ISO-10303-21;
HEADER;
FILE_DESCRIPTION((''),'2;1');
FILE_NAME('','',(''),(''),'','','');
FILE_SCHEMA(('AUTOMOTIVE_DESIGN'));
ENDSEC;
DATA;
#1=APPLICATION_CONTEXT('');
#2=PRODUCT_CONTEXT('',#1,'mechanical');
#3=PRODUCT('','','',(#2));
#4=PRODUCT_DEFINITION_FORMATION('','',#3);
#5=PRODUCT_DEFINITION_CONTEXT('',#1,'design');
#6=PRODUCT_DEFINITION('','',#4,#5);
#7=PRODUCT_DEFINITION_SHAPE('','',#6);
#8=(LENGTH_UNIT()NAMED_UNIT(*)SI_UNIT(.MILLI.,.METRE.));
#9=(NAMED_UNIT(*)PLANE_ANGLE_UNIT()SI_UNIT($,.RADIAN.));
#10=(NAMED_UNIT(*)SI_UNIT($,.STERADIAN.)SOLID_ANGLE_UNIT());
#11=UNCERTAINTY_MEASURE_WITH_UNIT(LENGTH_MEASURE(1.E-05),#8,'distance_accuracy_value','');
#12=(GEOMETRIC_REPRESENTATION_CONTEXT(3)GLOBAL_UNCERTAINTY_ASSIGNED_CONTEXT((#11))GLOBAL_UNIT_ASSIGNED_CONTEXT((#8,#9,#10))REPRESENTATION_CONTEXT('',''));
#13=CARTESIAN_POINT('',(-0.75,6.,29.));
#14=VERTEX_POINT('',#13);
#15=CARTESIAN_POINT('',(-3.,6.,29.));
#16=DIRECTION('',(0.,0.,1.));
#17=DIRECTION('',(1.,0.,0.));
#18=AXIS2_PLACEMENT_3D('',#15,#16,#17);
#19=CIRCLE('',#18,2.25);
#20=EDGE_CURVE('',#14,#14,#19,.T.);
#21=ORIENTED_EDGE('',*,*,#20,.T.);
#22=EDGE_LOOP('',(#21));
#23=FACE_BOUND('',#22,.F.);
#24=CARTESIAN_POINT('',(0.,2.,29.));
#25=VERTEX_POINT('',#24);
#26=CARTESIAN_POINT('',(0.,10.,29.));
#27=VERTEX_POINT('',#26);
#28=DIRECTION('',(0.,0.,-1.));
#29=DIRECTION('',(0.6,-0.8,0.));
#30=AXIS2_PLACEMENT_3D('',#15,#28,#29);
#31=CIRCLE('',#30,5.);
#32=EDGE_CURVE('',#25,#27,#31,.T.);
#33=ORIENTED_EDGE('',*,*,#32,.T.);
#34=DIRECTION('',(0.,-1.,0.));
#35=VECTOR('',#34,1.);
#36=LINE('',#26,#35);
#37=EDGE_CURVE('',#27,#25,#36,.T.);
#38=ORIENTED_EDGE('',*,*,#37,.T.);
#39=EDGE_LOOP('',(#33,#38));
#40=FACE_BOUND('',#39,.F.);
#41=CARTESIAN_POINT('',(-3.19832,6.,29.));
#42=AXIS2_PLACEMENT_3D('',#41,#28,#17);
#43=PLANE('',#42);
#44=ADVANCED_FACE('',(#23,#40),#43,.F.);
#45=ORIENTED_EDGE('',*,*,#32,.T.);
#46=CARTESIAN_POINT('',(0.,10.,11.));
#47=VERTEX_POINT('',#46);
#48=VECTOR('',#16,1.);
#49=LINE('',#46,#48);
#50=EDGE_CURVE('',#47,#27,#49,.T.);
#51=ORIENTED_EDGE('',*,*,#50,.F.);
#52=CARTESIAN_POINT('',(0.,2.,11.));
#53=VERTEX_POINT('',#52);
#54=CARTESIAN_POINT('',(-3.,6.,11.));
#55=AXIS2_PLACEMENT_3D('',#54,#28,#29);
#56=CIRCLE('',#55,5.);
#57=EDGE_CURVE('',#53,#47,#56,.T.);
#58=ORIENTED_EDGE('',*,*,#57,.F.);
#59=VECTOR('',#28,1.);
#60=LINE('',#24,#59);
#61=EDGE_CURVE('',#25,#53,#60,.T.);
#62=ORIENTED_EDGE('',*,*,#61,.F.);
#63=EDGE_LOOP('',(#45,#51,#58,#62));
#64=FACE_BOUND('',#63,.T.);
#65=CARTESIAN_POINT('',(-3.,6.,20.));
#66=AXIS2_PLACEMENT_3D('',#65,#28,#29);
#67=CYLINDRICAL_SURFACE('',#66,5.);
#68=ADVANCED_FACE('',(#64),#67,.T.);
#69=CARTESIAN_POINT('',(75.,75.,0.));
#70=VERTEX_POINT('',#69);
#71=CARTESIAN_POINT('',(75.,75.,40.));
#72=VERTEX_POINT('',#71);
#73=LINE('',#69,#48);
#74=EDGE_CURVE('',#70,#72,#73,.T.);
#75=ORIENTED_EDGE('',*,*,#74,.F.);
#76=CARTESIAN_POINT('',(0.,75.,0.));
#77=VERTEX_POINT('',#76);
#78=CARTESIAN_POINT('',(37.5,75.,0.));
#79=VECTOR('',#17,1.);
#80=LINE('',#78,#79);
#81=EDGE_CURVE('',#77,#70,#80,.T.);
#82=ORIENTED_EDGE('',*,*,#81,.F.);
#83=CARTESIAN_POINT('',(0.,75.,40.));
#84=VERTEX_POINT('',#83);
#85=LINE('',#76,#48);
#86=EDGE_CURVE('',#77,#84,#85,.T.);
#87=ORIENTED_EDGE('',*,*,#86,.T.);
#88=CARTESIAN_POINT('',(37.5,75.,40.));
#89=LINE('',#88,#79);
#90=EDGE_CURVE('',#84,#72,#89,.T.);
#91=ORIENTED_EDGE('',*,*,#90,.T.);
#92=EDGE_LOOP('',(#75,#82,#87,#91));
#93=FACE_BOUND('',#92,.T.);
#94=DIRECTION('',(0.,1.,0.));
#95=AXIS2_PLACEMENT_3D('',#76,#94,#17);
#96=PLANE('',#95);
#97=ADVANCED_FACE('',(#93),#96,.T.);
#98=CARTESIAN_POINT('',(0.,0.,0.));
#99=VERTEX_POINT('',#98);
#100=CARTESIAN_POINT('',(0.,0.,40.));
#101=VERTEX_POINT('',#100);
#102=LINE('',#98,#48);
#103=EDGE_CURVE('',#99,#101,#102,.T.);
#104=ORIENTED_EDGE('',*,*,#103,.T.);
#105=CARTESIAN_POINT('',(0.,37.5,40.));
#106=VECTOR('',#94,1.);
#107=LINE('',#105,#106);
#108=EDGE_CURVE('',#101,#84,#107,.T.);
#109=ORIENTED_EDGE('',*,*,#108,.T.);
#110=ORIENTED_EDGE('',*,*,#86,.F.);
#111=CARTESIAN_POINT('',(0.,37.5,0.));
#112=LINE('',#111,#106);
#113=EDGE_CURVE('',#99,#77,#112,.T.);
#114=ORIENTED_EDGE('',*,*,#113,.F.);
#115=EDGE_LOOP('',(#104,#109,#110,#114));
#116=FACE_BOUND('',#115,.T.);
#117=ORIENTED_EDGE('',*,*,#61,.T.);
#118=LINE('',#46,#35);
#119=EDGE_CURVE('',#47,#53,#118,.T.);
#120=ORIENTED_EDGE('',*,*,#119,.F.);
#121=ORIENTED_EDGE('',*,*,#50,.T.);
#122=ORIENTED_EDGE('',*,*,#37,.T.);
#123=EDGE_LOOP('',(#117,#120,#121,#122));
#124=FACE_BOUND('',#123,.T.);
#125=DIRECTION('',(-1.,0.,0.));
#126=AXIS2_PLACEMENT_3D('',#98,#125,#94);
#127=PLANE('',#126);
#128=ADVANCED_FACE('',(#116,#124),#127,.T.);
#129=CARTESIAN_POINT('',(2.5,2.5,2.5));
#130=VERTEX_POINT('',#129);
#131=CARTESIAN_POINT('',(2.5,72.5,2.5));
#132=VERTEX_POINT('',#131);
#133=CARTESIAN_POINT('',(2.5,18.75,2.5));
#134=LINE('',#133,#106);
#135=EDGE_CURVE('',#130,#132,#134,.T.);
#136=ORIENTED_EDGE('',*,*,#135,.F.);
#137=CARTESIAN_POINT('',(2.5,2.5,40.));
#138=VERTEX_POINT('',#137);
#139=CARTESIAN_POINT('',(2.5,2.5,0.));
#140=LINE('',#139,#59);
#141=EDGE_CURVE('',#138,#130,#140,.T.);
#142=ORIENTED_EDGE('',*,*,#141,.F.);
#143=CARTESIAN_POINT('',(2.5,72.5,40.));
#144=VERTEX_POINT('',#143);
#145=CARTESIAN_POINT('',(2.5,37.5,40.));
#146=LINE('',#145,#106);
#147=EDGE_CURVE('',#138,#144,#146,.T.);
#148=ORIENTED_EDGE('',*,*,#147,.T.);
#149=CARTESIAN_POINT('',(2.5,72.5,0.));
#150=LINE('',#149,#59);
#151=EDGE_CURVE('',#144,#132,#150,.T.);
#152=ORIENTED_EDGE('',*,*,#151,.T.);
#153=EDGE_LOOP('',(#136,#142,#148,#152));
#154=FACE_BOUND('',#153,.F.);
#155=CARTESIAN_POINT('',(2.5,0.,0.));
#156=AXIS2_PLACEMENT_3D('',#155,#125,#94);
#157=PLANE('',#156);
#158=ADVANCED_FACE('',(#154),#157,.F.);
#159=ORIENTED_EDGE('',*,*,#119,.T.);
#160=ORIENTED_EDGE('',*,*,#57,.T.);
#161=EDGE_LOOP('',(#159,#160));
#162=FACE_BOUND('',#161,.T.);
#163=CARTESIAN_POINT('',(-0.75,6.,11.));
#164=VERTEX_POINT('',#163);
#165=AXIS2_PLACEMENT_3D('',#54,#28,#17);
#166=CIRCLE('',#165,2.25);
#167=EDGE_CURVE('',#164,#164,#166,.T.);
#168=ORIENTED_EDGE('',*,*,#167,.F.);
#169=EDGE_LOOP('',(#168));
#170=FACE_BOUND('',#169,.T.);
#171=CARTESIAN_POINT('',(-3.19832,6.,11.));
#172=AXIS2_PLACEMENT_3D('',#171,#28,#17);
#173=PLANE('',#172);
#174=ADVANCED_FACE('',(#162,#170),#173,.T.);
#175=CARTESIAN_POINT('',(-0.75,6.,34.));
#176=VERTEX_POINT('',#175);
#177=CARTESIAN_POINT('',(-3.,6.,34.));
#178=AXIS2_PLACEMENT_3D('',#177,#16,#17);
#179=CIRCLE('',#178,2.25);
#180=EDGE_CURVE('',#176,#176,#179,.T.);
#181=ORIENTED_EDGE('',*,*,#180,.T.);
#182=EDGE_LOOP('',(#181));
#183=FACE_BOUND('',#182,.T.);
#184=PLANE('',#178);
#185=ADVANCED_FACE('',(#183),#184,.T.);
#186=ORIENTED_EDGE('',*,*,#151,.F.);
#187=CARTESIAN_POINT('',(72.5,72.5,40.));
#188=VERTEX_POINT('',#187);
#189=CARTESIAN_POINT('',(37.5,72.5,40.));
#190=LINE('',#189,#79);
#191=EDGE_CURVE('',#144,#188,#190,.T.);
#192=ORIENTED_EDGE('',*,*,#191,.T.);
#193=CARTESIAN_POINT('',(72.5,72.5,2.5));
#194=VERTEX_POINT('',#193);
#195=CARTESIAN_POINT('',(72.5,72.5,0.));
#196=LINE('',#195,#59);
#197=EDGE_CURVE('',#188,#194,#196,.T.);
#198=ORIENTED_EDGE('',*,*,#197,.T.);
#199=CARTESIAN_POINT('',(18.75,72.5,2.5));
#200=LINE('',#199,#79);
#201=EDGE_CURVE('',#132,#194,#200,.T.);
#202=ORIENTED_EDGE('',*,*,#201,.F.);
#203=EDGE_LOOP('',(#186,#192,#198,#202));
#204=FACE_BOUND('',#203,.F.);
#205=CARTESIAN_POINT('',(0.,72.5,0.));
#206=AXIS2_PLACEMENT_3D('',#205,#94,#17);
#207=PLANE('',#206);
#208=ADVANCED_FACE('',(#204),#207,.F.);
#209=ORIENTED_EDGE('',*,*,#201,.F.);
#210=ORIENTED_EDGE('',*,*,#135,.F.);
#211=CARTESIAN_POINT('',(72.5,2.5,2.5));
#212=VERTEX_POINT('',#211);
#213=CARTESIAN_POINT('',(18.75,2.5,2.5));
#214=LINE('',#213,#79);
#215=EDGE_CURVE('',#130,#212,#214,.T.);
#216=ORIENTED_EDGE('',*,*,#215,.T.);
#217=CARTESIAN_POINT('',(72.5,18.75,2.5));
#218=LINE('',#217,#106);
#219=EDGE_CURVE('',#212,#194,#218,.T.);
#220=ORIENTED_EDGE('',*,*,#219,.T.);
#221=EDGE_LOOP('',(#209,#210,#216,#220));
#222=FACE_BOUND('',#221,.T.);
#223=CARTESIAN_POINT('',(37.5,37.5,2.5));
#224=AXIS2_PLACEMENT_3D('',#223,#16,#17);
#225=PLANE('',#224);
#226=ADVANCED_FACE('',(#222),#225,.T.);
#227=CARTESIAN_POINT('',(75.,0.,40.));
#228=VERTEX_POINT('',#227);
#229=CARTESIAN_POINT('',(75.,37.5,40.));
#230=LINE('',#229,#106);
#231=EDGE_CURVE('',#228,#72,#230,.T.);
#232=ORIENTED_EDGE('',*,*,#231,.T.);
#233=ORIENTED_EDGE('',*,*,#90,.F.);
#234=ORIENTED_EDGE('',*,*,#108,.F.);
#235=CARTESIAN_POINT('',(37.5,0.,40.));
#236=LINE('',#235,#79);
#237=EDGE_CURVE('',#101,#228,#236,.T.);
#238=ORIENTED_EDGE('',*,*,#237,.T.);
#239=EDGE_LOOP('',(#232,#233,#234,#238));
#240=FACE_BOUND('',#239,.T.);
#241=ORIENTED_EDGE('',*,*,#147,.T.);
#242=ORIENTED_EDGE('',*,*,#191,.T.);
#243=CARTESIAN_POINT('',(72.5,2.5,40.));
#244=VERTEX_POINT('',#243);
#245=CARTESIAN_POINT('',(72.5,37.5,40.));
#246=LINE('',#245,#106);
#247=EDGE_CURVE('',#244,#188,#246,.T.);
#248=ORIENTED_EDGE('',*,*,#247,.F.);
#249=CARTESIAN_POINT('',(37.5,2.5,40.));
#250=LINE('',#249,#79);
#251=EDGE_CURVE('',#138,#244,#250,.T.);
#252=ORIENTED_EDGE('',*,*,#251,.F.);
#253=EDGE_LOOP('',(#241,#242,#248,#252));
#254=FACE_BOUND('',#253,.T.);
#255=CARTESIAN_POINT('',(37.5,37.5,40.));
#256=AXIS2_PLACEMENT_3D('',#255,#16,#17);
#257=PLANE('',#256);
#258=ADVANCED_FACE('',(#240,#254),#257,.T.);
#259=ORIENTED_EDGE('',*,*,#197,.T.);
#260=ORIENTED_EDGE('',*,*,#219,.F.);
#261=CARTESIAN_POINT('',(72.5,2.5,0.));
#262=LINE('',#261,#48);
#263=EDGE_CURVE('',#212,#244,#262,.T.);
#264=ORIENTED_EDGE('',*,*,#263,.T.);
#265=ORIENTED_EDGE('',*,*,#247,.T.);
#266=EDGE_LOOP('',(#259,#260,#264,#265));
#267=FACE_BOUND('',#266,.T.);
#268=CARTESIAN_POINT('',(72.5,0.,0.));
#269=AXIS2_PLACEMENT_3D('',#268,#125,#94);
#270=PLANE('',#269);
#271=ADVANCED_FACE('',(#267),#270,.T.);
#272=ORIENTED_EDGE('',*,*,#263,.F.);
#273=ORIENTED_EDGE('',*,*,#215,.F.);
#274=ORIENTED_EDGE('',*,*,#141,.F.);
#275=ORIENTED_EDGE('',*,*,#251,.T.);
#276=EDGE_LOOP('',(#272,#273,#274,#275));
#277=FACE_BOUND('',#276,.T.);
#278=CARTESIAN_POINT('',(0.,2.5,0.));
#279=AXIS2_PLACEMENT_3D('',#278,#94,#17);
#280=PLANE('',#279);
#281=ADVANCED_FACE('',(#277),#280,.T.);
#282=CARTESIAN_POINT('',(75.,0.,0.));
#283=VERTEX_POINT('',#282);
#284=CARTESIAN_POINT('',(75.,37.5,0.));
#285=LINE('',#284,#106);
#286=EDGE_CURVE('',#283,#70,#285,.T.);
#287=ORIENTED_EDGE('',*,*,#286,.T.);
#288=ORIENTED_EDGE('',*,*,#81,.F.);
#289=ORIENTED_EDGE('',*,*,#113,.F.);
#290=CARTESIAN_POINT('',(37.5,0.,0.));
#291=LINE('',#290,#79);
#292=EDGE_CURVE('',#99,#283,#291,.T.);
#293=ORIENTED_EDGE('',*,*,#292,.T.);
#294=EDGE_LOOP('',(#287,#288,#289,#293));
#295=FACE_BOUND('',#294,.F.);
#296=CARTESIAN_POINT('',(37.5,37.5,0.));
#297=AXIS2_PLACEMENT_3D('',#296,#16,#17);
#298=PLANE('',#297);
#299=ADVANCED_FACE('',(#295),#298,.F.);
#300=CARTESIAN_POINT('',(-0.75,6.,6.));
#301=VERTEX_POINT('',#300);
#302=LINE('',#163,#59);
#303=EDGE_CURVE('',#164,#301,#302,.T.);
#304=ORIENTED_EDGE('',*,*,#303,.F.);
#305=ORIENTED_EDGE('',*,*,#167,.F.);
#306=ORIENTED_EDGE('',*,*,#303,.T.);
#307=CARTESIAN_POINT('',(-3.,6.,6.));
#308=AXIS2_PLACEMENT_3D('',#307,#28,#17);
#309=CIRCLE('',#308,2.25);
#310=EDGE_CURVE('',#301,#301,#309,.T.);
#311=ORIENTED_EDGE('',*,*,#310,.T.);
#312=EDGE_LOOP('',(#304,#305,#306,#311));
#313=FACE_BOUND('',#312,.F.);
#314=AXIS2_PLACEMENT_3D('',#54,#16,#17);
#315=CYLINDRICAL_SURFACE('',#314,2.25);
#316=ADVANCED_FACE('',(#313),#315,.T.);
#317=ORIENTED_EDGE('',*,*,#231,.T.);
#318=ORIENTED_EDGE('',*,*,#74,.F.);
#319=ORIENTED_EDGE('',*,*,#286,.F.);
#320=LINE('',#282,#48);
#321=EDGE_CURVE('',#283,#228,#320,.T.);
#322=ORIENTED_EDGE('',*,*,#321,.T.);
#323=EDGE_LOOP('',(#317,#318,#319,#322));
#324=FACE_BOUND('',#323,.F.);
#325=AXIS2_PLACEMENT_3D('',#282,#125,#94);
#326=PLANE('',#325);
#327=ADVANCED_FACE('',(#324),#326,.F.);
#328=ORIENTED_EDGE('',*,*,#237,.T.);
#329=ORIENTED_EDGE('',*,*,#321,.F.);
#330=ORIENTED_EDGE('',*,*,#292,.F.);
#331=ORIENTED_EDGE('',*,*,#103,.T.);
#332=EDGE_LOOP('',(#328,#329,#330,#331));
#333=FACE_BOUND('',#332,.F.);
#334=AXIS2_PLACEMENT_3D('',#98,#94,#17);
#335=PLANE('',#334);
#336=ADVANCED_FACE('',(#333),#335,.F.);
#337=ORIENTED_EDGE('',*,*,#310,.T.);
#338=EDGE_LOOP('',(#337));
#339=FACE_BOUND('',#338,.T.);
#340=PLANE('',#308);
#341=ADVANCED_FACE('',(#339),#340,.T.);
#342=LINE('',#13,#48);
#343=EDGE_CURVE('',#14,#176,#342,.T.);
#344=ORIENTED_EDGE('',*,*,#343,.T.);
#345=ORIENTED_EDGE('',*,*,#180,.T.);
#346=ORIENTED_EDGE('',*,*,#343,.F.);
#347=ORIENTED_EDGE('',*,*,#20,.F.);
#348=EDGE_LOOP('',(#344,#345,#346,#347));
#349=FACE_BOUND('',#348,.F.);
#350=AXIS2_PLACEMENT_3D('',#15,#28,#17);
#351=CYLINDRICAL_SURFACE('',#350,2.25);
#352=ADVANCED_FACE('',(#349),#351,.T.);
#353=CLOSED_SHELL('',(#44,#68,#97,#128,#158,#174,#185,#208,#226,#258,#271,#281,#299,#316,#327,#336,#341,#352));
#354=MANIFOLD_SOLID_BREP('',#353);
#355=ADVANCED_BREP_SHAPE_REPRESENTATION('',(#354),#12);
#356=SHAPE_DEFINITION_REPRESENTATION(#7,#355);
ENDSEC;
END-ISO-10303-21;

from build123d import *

# Parameters (mm, degrees)
F0_W     = 75
F0_H     = 75
F1_DEPTH = 40
F2_T     = -2.5
F5_DEPTH = 9
F7_R     = 2.25
F8_DEPTH = 5
F6_R     = 2.25
F9_DEPTH = 5


with BuildPart() as f1:
    # F0 (on Top) → F1 (new body)
    with BuildSketch(Plane.XY):
        with Locations((37.5, 37.5)):
            Rectangle(F0_W, F0_H)
    extrude(amount=F1_DEPTH)

    # F2
    f2_openings = [f1.faces().sort_by_distance(p)[0] for p in [
        (37.5, 37.5, 40),
    ]]
    offset(amount=F2_T, openings=f2_openings)

    # F4 (on offset) → F5 (join, symmetric)
    with BuildSketch(Plane(origin=(0, 0, 20), x_dir=(1, 0, 0), z_dir=(0, 0, -1))):
        with BuildLine():
            Line((0, -10), (0, -2))
            ThreePointArc((0, -2), (-8, -6), (0, -10))
        make_face()
    extrude(amount=F5_DEPTH, both=True)

    # F7 (on face) → F8 (join)
    with BuildSketch(Plane(origin=(0, 0, 11), x_dir=(1, 0, 0), z_dir=(0, 0, -1))):
        with Locations((-3, -6)):
            Circle(F7_R)
    extrude(amount=F8_DEPTH)

    # F6 (on face) → F9 (join)
    with BuildSketch(Plane.XY.offset(29)):
        with Locations((-3, 6)):
            Circle(F6_R)
    extrude(amount=F9_DEPTH)


solid = f1.part
